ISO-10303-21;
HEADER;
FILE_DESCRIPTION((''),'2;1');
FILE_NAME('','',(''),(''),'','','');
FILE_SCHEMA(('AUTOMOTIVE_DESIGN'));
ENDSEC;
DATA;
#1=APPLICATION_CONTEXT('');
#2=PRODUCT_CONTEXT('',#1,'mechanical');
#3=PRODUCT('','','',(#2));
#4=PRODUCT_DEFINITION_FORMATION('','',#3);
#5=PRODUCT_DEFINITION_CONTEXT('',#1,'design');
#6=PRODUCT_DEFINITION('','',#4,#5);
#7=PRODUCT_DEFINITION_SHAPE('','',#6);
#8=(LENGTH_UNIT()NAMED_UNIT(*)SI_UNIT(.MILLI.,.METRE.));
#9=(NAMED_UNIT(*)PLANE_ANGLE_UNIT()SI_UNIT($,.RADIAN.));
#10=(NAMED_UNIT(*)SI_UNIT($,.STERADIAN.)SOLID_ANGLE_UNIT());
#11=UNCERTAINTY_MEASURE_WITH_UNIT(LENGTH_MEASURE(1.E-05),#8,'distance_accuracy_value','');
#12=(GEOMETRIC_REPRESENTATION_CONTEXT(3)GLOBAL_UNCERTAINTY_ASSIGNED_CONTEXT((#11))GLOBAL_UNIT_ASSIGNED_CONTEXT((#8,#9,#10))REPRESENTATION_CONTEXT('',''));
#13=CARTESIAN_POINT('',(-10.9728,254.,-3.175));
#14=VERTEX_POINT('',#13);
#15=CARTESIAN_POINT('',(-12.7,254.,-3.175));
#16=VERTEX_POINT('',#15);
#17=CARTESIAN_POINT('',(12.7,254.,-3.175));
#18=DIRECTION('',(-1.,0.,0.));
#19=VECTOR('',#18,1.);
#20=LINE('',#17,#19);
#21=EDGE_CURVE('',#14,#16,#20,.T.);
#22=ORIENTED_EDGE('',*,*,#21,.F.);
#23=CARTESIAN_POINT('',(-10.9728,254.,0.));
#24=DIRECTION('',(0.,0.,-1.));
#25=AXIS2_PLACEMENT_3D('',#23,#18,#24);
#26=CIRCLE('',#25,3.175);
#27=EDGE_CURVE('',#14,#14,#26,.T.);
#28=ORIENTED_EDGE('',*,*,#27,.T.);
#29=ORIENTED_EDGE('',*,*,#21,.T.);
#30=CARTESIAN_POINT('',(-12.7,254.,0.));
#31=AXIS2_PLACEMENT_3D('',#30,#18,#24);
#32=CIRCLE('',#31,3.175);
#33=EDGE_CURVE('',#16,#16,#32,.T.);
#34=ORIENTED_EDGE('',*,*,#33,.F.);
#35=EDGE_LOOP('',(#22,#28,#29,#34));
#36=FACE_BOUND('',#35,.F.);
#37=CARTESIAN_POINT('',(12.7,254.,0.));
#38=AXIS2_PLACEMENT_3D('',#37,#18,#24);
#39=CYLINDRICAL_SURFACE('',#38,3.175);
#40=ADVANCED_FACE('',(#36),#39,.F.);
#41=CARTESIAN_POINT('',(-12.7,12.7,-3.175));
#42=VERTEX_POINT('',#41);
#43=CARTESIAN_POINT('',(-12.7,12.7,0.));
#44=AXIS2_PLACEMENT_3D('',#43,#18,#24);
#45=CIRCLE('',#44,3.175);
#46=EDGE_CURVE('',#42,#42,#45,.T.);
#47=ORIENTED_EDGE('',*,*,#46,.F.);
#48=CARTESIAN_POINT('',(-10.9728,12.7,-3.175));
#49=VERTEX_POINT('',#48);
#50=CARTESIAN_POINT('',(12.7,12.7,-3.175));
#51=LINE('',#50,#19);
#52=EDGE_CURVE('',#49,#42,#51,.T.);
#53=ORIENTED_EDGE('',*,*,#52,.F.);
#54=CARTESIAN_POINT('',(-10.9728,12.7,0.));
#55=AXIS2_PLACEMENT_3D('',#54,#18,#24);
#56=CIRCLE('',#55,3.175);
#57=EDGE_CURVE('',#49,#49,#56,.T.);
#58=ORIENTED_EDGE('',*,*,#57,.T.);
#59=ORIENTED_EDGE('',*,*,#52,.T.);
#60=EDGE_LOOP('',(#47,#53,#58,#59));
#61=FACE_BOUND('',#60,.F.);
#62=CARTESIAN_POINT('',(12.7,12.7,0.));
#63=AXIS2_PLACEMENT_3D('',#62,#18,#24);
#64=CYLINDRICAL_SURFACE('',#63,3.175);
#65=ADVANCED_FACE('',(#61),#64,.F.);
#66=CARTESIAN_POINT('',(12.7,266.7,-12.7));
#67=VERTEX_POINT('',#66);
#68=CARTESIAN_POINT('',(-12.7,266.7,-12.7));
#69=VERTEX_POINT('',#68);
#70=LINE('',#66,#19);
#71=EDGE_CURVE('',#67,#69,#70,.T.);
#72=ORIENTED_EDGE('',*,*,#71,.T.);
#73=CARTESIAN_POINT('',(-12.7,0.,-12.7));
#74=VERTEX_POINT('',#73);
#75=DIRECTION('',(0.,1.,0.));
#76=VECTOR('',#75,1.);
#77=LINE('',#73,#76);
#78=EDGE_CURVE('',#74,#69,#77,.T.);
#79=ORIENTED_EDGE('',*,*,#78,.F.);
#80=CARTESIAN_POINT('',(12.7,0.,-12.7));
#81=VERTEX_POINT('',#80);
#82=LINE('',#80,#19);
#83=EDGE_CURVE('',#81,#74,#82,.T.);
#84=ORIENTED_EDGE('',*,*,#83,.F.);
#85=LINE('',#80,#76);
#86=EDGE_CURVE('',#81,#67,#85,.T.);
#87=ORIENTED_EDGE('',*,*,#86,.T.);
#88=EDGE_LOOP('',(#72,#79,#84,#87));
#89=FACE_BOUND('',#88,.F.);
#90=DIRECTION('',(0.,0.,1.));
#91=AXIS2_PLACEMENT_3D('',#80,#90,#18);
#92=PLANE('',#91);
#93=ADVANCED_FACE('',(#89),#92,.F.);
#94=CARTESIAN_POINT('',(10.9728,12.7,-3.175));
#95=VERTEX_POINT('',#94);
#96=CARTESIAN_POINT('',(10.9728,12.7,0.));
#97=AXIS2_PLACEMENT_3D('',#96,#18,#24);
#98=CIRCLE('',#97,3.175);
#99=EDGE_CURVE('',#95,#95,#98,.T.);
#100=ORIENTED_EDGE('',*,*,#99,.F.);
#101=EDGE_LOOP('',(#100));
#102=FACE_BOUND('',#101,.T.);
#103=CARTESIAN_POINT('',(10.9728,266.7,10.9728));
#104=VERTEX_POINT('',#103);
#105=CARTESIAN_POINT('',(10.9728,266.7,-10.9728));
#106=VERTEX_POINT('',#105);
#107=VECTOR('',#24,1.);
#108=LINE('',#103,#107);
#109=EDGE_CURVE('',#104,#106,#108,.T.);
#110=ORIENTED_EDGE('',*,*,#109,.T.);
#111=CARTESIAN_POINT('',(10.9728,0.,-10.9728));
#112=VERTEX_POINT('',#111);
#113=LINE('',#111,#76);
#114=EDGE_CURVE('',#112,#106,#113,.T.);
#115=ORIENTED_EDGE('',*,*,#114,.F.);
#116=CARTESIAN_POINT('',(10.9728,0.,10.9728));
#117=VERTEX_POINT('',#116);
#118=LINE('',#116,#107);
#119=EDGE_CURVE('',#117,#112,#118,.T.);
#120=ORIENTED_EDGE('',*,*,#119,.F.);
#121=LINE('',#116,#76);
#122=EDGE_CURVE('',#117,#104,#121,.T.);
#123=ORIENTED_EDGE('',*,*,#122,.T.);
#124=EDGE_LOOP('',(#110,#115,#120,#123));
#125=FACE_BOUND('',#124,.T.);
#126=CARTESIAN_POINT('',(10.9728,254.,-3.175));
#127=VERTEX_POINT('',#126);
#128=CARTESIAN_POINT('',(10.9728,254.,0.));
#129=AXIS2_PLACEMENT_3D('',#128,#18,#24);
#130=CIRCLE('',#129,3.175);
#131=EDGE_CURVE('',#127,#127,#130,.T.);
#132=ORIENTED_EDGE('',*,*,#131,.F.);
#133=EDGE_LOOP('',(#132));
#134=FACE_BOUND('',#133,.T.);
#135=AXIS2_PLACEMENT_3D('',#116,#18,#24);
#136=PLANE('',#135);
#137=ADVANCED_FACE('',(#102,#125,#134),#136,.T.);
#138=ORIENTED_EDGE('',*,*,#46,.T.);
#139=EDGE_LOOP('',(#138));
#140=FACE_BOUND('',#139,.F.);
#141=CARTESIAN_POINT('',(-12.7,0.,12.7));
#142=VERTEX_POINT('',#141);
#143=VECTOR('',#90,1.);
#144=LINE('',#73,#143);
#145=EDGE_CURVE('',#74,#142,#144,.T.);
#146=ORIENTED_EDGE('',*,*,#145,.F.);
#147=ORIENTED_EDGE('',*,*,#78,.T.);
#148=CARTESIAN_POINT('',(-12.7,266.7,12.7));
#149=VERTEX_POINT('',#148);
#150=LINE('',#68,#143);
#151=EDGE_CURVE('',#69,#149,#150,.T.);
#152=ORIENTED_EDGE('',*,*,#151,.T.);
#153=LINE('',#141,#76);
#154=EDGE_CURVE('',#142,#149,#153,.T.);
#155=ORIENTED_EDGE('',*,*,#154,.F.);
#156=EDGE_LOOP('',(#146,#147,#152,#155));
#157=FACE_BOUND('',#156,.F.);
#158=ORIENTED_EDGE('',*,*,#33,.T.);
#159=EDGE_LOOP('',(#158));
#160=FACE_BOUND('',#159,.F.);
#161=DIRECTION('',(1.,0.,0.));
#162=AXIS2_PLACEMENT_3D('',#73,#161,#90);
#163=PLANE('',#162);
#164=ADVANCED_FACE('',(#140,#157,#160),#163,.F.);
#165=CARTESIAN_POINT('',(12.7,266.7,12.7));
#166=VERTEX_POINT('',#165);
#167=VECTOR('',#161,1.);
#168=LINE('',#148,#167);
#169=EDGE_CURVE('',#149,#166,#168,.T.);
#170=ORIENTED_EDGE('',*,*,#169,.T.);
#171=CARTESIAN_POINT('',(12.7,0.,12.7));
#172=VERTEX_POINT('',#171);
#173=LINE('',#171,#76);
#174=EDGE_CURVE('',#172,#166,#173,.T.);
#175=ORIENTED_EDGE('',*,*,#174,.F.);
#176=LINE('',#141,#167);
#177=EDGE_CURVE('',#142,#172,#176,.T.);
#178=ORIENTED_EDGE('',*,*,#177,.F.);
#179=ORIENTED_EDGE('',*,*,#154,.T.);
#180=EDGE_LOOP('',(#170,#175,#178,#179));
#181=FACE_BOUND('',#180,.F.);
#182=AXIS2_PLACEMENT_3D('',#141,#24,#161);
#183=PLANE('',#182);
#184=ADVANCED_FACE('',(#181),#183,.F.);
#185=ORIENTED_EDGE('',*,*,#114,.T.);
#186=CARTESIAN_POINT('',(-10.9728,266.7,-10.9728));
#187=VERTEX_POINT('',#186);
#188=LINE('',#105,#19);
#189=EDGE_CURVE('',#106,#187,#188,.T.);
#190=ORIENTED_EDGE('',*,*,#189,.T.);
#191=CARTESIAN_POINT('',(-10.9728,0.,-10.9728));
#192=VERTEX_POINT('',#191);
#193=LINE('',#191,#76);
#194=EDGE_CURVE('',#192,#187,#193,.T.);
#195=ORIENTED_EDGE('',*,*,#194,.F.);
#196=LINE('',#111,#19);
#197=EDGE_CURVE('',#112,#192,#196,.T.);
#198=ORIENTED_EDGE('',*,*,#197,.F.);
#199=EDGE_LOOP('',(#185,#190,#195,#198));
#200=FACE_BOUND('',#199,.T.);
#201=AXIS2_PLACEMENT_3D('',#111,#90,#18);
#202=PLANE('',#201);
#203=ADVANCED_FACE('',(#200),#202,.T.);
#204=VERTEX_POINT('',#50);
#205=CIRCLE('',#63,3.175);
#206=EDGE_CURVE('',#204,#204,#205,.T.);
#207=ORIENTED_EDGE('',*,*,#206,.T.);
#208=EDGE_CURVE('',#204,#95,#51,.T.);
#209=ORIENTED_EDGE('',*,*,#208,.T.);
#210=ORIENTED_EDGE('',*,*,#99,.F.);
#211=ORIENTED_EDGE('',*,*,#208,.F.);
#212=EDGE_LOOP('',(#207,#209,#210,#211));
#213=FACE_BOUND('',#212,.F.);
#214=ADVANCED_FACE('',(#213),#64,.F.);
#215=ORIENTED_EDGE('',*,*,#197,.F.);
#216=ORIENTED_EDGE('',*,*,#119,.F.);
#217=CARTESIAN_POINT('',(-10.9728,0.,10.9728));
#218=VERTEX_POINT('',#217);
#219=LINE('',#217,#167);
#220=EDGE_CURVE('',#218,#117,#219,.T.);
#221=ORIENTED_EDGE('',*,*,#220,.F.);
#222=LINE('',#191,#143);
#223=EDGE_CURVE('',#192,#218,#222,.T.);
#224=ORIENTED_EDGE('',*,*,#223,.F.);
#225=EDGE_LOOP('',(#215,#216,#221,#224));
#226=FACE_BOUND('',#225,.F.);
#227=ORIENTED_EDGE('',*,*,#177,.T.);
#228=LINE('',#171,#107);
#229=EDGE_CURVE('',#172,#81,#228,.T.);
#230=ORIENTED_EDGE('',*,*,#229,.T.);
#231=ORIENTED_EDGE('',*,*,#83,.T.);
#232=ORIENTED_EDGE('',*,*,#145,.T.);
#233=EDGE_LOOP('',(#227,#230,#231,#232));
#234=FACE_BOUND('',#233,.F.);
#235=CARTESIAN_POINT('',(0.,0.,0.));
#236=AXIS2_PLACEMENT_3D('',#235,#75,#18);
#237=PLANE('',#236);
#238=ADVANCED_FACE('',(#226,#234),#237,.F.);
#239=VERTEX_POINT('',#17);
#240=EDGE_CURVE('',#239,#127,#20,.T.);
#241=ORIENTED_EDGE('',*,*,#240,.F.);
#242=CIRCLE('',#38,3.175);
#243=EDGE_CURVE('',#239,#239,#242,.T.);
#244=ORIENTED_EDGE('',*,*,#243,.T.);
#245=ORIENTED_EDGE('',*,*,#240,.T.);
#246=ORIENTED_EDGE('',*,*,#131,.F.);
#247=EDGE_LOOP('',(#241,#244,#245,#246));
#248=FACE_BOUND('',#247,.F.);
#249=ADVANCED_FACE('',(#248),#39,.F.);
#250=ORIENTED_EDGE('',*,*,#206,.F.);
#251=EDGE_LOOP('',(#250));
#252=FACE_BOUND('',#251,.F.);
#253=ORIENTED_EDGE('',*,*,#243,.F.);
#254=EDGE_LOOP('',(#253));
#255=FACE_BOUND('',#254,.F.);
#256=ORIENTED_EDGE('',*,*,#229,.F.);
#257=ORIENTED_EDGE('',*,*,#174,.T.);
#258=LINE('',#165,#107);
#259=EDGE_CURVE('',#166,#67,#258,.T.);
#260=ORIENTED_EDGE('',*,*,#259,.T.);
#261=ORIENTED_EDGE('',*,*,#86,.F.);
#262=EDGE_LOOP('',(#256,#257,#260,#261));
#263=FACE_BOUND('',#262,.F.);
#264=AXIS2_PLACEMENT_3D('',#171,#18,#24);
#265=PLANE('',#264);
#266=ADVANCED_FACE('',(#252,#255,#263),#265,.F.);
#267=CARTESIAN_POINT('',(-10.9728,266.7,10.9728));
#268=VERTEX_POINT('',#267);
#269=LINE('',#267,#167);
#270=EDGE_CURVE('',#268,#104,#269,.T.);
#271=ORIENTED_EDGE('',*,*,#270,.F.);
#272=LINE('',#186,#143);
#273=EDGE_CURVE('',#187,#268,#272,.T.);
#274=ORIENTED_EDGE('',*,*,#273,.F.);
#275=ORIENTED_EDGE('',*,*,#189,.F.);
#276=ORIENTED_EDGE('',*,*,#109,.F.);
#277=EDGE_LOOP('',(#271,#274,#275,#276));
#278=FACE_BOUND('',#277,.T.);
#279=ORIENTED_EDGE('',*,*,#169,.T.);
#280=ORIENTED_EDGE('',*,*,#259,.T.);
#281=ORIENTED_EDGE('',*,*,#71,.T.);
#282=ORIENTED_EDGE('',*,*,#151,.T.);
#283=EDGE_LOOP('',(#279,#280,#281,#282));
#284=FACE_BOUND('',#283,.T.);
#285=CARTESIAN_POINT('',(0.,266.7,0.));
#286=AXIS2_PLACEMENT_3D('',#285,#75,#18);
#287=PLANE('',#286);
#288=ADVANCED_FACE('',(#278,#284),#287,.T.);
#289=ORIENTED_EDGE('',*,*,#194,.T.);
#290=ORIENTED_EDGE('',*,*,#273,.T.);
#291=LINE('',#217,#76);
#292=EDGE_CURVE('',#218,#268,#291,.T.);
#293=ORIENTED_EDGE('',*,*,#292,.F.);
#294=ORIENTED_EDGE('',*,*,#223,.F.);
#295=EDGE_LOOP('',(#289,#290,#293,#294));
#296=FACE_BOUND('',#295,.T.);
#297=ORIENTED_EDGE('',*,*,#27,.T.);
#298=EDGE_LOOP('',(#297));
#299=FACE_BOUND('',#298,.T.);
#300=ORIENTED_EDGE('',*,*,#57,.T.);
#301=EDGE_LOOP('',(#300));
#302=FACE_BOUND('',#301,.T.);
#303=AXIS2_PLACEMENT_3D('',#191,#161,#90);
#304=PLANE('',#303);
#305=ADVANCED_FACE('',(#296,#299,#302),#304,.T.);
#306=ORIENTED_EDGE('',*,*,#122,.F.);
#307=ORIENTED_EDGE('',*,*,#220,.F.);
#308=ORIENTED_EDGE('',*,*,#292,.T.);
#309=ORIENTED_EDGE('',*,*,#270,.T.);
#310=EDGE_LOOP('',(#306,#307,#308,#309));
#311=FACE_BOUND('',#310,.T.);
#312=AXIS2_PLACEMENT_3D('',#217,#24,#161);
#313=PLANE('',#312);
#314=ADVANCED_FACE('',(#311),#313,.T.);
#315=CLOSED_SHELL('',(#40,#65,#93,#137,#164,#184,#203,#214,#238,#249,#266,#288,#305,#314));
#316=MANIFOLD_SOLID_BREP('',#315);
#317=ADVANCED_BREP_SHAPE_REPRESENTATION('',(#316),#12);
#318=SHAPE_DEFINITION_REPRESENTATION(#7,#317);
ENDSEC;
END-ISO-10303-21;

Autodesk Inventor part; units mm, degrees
ref_plane "YZ Plane" through (0, 0, 0) normal (1, 0, 0) x (0, 1, 0)
ref_plane "XZ Plane" through (0, 0, 0) normal (0, 1, 0) x (-1, 0, 0)
ref_plane "XY Plane" through (0, 0, 0) normal (0, 0, 1) x (1, 0, 0)
sketch "Sketch1" plane through (0, 0, 0) normal (0, 1, 0) x (-1, 0, 0)
  line L0 (12.7, 12.7) -> (-12.7, 12.7)
  line L1 (-12.7, 12.7) -> (-12.7, -12.7)
  line L2 (-12.7, -12.7) -> (12.7, -12.7)
  line L3 (12.7, -12.7) -> (12.7, 12.7)
  line L4 (12.7, 12.7) -> (-12.7, -12.7) construction
  line L5 (-12.7, 12.7) -> (12.7, -12.7) construction
  line L6 (-10.9728, -10.9728) -> (10.9728, -10.9728)
  line L7 (10.9728, -10.9728) -> (10.9728, 10.9728)
  line L8 (10.9728, 10.9728) -> (-10.9728, 10.9728)
  line L9 (-10.9728, 10.9728) -> (-10.9728, -10.9728)
  line L10 (-10.9728, -10.9728) -> (10.9728, 10.9728) construction
  line L11 (10.9728, -10.9728) -> (-10.9728, 10.9728) construction
  point P0 (0, 0)
  dimension "d0" = 25.4
  dimension "d2" = 25.4
  dimension "d3" = 1.7272
extrude "Extrusion1" add sketch "Sketch1" along normal blind 266.7
sketch "Sketch2" plane through (12.7, 0, 12.7) normal (1, 0, 0) x (0, 0, -1)
  line L0 (0, 0) -> (25.4, 0) projected
  line L1 (25.4, 0) -> (25.4, 266.7) projected
  line L2 (0, 266.7) -> (25.4, 266.7) projected
  line L3 (0, 0) -> (0, 266.7) projected
  point P0 (12.7, 0)
  point P1 (12.7, 254)
  point P2 (12.7, 12.7)
  dimension "d6" = 12.7
  dimension "d7" = 12.7
  dimension "d8" = 12.7
  dimension "d9" = 12.7
hole "Hole1" at (12.7, 254, 0) at (12.7, 12.7, 0) direction (-1, 0, 0) diameter 6.35 end through all
properties part number "CrossBar" material "Aluminum 6061"
